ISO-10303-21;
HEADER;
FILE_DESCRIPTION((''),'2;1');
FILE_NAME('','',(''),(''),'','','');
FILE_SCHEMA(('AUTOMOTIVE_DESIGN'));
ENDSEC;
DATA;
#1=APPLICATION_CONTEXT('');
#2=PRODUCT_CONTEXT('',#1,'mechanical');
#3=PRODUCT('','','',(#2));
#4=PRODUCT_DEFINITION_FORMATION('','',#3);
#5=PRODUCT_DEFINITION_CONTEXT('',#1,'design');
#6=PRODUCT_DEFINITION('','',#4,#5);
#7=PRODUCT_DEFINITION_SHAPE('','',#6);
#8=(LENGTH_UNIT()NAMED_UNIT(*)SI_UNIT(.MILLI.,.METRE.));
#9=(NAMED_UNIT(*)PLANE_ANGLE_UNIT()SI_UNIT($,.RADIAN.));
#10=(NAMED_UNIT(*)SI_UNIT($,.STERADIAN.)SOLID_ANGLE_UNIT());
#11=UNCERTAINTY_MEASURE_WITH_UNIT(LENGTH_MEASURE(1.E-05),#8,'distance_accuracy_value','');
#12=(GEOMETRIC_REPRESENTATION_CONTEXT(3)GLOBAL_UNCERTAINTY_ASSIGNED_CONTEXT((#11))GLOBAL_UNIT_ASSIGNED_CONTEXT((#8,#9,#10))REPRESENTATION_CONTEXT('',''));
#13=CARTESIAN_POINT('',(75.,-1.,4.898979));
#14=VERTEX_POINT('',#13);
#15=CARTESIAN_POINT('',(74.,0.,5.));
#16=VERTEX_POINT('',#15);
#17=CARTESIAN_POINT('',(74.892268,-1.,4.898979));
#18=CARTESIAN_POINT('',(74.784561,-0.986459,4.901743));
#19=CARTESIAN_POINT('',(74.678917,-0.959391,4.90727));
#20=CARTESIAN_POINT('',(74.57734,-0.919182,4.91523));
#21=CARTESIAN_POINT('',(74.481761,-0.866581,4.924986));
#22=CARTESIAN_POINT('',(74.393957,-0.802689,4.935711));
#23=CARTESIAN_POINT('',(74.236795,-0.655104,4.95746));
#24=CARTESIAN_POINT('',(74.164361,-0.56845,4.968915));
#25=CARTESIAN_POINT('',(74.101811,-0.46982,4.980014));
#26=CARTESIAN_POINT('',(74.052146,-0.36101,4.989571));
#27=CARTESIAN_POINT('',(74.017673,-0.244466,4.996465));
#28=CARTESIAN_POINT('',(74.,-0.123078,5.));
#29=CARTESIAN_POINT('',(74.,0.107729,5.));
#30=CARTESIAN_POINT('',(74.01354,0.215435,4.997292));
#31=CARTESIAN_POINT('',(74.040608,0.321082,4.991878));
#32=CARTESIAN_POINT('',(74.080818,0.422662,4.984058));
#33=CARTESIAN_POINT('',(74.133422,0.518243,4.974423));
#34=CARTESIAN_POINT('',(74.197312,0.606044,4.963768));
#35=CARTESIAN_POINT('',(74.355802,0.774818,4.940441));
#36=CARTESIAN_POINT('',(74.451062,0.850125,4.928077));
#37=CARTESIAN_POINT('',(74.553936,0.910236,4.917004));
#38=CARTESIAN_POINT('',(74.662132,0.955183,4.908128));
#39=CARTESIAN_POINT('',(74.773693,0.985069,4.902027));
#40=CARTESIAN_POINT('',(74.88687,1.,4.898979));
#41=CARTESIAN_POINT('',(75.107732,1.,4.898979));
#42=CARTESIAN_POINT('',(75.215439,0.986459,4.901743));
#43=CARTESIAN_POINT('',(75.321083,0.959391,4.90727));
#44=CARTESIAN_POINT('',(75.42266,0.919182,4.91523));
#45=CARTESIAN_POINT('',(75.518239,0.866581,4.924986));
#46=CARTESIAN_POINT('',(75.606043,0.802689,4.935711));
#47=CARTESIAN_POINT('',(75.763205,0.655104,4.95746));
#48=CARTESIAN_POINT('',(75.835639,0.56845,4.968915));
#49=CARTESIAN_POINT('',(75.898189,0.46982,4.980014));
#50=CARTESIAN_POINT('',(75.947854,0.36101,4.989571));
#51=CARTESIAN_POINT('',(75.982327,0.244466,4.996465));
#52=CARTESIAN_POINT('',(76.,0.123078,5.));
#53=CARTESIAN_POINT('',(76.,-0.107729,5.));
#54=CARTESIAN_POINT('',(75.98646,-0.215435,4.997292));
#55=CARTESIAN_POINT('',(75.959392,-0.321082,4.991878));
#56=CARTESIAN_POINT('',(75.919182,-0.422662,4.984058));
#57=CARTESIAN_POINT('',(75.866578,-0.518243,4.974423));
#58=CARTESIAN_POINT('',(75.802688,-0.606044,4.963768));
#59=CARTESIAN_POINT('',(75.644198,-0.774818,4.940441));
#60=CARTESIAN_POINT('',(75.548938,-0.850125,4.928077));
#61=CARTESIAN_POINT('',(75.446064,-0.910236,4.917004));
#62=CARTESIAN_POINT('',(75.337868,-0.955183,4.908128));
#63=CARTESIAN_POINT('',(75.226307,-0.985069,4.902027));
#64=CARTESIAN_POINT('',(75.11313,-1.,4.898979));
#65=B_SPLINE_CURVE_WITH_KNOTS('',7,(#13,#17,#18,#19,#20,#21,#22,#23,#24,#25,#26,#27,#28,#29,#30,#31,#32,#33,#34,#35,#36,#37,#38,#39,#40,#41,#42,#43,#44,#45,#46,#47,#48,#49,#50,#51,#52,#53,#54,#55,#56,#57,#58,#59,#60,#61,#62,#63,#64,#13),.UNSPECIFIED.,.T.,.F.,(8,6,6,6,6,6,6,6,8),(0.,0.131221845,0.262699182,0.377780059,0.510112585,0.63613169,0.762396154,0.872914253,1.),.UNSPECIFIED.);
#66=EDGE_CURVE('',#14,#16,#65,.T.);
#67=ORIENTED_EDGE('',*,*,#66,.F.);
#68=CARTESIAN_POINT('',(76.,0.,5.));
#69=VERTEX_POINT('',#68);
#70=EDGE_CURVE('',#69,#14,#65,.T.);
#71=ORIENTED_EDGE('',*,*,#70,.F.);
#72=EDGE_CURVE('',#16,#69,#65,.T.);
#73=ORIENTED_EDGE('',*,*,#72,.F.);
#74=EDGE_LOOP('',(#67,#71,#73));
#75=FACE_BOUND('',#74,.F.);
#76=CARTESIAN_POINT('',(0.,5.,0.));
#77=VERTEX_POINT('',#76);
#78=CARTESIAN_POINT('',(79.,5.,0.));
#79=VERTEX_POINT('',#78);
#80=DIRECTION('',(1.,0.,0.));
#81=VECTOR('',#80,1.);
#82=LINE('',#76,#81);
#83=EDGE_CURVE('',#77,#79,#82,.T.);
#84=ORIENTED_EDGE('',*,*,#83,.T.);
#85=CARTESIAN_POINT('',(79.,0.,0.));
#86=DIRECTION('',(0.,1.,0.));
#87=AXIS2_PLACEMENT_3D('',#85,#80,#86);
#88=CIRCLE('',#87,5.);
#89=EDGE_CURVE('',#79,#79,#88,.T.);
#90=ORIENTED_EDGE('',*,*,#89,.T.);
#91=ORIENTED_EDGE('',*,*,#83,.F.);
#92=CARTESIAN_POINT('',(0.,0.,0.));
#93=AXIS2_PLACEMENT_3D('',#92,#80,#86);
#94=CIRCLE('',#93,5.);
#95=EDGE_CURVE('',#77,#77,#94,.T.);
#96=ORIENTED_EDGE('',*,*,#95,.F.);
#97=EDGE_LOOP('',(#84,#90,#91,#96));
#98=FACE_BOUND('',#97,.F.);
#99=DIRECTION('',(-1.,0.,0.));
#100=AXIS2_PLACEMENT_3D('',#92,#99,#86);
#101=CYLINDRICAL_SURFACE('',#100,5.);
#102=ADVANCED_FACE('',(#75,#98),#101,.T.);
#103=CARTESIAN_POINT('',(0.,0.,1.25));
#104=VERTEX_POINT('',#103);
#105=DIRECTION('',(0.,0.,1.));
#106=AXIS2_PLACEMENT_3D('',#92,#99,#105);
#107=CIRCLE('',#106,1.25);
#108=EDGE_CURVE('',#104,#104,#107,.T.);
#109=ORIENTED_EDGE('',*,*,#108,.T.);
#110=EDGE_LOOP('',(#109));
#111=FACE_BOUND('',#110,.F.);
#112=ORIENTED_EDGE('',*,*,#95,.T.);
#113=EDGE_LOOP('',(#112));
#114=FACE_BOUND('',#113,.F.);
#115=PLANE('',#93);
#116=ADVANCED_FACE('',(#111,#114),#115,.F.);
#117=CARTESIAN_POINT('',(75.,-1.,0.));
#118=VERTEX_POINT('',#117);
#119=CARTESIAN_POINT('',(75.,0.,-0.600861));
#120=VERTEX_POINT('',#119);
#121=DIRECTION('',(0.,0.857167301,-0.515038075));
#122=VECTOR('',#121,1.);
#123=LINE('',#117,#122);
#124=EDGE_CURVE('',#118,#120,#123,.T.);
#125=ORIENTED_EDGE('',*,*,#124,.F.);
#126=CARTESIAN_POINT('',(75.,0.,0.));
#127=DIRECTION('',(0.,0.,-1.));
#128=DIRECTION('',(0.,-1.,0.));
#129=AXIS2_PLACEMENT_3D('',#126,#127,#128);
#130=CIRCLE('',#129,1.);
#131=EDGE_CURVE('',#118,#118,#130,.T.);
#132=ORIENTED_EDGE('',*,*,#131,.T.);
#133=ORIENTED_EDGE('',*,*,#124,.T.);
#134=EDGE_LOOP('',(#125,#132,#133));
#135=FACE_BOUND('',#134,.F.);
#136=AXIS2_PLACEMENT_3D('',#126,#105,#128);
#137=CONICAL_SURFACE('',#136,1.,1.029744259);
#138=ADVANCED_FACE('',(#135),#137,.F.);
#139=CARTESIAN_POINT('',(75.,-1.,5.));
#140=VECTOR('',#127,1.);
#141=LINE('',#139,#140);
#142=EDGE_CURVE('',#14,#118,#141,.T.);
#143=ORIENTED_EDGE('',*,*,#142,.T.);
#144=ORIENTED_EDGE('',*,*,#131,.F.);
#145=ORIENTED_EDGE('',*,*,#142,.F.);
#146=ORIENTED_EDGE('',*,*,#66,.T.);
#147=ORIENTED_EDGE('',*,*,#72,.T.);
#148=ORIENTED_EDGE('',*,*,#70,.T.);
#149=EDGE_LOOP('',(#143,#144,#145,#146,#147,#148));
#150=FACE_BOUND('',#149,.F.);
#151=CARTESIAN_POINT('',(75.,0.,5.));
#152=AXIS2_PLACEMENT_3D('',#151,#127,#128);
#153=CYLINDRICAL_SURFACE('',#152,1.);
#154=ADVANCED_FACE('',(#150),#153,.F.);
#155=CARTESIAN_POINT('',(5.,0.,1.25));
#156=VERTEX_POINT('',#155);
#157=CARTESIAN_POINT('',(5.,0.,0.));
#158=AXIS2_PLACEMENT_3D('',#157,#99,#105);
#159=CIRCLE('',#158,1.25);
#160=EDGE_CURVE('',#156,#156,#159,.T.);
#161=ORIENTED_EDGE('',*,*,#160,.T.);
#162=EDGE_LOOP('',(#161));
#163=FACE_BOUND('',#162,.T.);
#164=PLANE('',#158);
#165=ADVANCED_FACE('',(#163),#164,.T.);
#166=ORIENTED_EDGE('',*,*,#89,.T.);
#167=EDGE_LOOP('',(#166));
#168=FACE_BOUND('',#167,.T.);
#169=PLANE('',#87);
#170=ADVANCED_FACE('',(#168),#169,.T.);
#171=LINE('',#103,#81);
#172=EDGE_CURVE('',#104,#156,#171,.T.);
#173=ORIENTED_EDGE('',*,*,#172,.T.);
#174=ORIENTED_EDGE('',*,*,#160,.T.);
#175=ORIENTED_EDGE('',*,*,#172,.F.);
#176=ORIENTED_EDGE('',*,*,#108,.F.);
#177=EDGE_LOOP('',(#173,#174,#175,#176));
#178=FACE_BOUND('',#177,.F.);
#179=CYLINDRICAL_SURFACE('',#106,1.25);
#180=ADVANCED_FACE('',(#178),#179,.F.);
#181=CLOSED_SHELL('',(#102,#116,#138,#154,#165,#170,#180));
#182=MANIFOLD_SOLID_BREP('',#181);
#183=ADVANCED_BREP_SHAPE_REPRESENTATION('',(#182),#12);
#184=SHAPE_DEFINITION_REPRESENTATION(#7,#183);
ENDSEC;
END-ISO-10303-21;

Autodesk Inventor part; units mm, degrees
ref_plane "YZ Plane" through (0, 0, 0) normal (1, 0, 0) x (0, 1, 0)
ref_plane "XZ Plane" through (0, 0, 0) normal (0, 1, 0) x (-1, 0, 0)
sketch "スケッチ1" plane through (0, 0, 0) normal (1, 0, 0) x (0, 1, 0)
  circle A0 centre (0, 0) radius 5
  dimension "d0" = 10
extrude "押し出し1" add sketch "スケッチ1" along normal blind 79
sketch "スケッチ2" plane through (0, 0, 0) normal (-1, 0, 0) x (0, 0, 1)
  circle A0 centre (0, 0) radius 1.25
  dimension "d3" = 2.5
extrude "押し出し2" cut sketch "スケッチ2" against normal blind 5
ref_plane "作業平面1" through (0, 0, 5) normal (0, 0, 1) x (1, 0, 0)
sketch "スケッチ3" plane through (0, 0, 5) normal (0, 0, 1) x (1, 0, 0)
  line L0 (79, -5) -> (79, 5) projected
  point P0 (0, 0)
  point P1 (75, 0)
  dimension "d6" = 4
hole "穴1" at (75, 0, 5) direction (0, 0, -1) diameter 2 depth 5 tip angle 118
properties part number "belt_liner_v5_shaft_2" material "アルミニウム 6061"
